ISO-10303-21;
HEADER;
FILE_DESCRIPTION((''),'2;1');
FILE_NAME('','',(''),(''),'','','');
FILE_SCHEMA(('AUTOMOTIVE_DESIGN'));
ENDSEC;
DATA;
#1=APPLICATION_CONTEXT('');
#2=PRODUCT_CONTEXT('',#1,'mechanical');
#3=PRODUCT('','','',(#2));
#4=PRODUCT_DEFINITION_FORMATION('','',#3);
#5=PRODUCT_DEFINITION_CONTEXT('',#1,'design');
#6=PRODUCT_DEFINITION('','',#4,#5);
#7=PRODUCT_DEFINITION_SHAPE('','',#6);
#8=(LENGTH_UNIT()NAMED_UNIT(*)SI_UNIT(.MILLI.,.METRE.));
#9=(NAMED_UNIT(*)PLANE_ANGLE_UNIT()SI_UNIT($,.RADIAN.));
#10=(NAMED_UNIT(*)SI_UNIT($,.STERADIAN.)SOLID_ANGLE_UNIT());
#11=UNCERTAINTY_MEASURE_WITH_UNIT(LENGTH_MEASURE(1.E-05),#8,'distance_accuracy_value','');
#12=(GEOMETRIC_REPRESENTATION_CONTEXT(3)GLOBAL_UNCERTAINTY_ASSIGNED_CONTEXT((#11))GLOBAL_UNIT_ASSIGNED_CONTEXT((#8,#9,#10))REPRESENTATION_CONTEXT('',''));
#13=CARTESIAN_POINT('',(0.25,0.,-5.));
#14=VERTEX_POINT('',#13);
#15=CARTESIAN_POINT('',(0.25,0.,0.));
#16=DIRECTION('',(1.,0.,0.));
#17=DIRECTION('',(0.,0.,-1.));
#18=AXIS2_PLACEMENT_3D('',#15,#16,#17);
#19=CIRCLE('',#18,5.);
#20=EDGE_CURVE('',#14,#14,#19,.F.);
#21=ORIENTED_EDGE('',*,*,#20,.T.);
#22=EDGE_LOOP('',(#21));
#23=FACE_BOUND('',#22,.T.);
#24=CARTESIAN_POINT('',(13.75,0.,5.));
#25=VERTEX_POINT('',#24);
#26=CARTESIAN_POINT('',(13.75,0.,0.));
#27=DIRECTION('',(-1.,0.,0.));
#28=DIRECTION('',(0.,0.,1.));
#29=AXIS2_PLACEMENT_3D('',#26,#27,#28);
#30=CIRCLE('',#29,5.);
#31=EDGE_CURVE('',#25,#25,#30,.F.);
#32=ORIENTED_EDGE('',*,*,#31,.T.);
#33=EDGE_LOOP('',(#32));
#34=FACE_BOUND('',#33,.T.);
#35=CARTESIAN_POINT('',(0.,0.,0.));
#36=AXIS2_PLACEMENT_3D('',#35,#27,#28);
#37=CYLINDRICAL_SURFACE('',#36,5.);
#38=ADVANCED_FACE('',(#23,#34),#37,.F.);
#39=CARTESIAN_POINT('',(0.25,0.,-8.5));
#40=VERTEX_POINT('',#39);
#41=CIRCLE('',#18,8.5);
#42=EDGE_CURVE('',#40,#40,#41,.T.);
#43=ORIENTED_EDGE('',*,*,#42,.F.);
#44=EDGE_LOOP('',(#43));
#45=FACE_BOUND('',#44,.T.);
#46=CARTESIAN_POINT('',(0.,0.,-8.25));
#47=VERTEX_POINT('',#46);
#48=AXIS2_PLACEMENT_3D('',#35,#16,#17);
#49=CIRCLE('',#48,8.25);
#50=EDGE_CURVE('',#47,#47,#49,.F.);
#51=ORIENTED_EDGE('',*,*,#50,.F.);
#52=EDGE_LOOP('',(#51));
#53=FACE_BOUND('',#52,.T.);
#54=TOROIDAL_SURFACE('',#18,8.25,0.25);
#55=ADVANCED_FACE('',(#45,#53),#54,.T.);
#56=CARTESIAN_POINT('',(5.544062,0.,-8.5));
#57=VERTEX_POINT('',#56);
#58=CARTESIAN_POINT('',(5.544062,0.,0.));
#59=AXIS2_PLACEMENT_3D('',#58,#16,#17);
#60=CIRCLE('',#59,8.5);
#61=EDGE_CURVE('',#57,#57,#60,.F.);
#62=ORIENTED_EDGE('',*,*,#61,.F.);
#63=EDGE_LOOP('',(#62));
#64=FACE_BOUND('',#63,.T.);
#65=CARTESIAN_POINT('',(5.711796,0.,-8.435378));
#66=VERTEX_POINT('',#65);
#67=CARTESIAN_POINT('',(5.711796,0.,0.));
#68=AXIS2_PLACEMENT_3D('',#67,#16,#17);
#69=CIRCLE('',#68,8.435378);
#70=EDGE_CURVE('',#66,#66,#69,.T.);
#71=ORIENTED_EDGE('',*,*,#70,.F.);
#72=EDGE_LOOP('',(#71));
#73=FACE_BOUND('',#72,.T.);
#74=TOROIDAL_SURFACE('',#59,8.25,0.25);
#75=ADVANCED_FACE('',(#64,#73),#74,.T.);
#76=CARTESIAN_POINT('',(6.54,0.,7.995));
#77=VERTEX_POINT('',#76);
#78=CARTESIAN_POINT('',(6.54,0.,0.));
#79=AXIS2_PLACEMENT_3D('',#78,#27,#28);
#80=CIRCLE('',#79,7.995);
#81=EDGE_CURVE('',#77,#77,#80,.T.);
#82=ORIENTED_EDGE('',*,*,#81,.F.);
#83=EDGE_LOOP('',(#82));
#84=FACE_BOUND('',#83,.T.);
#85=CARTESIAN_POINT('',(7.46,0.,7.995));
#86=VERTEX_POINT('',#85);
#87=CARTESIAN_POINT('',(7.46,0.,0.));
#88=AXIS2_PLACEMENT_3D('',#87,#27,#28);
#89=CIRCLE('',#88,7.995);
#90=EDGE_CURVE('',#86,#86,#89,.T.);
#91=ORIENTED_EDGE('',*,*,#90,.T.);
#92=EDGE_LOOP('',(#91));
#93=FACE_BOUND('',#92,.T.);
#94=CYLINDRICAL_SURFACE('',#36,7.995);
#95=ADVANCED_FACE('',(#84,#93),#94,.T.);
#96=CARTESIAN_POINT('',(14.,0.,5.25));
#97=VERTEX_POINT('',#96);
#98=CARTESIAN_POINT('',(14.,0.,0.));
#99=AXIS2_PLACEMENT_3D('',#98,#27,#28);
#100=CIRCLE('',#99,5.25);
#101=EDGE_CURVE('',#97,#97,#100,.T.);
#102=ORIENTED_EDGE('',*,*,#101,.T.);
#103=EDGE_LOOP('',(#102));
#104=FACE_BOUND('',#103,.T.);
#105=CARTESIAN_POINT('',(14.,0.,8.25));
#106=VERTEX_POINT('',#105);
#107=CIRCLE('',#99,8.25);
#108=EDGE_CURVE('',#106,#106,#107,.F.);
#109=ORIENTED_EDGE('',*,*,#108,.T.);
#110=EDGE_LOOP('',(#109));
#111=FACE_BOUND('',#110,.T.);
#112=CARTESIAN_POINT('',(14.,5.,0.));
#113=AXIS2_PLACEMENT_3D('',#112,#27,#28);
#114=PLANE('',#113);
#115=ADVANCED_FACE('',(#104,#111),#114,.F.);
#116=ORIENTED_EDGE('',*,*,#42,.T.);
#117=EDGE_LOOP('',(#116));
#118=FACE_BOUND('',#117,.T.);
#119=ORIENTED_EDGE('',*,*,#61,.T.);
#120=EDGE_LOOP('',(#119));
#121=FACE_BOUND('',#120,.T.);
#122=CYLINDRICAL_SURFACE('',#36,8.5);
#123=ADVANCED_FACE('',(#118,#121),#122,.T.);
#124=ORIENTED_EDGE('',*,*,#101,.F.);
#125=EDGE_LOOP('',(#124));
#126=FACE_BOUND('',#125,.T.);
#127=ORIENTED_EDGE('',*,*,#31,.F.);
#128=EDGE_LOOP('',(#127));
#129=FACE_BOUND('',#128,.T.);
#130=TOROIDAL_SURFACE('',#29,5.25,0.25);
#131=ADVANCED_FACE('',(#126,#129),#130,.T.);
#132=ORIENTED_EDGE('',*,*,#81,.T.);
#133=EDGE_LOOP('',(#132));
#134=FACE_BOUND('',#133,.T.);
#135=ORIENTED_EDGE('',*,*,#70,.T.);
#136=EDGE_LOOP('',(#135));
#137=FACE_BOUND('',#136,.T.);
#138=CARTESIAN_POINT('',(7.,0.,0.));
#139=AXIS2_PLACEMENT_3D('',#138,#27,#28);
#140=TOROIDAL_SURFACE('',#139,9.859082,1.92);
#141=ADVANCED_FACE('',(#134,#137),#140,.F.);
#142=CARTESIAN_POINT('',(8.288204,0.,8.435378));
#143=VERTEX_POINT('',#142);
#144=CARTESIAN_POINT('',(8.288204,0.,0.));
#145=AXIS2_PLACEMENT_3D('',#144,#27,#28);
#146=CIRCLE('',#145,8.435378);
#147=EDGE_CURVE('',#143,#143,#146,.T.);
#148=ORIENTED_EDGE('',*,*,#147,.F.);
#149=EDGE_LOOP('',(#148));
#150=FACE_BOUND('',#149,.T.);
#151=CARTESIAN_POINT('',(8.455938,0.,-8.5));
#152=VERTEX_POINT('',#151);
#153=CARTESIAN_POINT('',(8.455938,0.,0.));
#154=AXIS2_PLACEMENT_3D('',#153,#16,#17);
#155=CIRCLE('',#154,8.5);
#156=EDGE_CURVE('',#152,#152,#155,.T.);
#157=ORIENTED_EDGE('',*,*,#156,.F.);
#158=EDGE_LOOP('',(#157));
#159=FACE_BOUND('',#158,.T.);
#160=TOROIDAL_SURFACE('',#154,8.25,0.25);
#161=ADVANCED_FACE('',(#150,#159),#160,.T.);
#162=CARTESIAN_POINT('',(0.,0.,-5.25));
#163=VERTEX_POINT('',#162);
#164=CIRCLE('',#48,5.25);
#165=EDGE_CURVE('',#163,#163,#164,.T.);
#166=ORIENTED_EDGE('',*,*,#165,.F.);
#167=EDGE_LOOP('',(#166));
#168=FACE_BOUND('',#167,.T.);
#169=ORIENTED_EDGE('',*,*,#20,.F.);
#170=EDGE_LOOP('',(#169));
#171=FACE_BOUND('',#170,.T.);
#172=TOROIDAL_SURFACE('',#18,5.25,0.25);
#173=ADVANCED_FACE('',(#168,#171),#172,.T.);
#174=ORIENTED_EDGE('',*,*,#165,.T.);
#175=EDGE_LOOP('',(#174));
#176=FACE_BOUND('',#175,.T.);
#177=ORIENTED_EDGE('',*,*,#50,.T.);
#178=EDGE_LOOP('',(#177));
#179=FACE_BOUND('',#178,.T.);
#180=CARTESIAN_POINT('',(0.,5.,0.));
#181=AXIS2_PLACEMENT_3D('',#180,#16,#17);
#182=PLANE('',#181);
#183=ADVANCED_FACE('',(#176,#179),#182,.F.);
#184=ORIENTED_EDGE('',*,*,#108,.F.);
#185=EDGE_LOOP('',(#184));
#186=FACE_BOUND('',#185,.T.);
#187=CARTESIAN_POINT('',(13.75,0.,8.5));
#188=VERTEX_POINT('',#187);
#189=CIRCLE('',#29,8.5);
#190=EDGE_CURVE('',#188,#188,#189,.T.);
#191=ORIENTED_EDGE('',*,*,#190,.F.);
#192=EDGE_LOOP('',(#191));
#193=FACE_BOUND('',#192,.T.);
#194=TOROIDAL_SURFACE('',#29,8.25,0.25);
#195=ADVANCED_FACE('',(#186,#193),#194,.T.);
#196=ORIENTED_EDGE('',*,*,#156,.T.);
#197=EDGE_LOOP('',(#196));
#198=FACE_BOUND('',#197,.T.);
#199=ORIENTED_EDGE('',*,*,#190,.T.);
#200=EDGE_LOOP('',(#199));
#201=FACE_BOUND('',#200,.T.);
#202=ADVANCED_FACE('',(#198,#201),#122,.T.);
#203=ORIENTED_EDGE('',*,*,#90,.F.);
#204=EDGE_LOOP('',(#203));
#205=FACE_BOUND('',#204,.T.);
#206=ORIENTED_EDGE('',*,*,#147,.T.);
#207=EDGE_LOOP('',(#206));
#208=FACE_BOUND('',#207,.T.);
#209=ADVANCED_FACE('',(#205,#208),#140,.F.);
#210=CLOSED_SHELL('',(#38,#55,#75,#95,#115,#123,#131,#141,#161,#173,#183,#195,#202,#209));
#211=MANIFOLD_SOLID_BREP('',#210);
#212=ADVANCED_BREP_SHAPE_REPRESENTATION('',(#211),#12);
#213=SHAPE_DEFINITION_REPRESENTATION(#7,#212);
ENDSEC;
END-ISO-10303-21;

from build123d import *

# Parameters (mm, degrees)
FILLET1_R = 0.25


with BuildPart() as part:
    # Sketch1 → Revolve1 (revolve)
    with BuildSketch(Plane.XY, mode=Mode.PRIVATE) as revolve1_sk:
        with BuildLine():
            Line((0, 5), (14, 5))
            Line((14, 5), (14, 8.5))
            Line((14, 8.5), (8.356206975, 8.5))
            ThreePointArc((8.356206975, 8.5), (7.94255408, 8.186361661), (7.46, 7.995))
            Line((7.46, 7.995), (6.54, 7.995))
            ThreePointArc((6.54, 7.995), (6.05744592, 8.186361661), (5.643793025, 8.5))
            Line((5.643793025, 8.5), (0, 8.5))
            Line((0, 8.5), (0, 5))
        make_face()
    revolve(revolve1_sk.sketch.rotate(Axis((0, 0, 0), (1, 0, 0)), 90), axis=Axis((0, 0, 0), (1, 0, 0)))

    # Fillet1
    fillet1_edges = [part.edges().sort_by_distance(p)[0] for p in [
        (0, 0, -8.5),
        (5.643793025, 0, -8.5),
        (8.356206975, 0, -8.5),
        (14, 0, -8.5),
        (14, 0, -5),
        (0, 0, -5),
    ]]
    fillet(fillet1_edges, radius=FILLET1_R)


solid = part.part
